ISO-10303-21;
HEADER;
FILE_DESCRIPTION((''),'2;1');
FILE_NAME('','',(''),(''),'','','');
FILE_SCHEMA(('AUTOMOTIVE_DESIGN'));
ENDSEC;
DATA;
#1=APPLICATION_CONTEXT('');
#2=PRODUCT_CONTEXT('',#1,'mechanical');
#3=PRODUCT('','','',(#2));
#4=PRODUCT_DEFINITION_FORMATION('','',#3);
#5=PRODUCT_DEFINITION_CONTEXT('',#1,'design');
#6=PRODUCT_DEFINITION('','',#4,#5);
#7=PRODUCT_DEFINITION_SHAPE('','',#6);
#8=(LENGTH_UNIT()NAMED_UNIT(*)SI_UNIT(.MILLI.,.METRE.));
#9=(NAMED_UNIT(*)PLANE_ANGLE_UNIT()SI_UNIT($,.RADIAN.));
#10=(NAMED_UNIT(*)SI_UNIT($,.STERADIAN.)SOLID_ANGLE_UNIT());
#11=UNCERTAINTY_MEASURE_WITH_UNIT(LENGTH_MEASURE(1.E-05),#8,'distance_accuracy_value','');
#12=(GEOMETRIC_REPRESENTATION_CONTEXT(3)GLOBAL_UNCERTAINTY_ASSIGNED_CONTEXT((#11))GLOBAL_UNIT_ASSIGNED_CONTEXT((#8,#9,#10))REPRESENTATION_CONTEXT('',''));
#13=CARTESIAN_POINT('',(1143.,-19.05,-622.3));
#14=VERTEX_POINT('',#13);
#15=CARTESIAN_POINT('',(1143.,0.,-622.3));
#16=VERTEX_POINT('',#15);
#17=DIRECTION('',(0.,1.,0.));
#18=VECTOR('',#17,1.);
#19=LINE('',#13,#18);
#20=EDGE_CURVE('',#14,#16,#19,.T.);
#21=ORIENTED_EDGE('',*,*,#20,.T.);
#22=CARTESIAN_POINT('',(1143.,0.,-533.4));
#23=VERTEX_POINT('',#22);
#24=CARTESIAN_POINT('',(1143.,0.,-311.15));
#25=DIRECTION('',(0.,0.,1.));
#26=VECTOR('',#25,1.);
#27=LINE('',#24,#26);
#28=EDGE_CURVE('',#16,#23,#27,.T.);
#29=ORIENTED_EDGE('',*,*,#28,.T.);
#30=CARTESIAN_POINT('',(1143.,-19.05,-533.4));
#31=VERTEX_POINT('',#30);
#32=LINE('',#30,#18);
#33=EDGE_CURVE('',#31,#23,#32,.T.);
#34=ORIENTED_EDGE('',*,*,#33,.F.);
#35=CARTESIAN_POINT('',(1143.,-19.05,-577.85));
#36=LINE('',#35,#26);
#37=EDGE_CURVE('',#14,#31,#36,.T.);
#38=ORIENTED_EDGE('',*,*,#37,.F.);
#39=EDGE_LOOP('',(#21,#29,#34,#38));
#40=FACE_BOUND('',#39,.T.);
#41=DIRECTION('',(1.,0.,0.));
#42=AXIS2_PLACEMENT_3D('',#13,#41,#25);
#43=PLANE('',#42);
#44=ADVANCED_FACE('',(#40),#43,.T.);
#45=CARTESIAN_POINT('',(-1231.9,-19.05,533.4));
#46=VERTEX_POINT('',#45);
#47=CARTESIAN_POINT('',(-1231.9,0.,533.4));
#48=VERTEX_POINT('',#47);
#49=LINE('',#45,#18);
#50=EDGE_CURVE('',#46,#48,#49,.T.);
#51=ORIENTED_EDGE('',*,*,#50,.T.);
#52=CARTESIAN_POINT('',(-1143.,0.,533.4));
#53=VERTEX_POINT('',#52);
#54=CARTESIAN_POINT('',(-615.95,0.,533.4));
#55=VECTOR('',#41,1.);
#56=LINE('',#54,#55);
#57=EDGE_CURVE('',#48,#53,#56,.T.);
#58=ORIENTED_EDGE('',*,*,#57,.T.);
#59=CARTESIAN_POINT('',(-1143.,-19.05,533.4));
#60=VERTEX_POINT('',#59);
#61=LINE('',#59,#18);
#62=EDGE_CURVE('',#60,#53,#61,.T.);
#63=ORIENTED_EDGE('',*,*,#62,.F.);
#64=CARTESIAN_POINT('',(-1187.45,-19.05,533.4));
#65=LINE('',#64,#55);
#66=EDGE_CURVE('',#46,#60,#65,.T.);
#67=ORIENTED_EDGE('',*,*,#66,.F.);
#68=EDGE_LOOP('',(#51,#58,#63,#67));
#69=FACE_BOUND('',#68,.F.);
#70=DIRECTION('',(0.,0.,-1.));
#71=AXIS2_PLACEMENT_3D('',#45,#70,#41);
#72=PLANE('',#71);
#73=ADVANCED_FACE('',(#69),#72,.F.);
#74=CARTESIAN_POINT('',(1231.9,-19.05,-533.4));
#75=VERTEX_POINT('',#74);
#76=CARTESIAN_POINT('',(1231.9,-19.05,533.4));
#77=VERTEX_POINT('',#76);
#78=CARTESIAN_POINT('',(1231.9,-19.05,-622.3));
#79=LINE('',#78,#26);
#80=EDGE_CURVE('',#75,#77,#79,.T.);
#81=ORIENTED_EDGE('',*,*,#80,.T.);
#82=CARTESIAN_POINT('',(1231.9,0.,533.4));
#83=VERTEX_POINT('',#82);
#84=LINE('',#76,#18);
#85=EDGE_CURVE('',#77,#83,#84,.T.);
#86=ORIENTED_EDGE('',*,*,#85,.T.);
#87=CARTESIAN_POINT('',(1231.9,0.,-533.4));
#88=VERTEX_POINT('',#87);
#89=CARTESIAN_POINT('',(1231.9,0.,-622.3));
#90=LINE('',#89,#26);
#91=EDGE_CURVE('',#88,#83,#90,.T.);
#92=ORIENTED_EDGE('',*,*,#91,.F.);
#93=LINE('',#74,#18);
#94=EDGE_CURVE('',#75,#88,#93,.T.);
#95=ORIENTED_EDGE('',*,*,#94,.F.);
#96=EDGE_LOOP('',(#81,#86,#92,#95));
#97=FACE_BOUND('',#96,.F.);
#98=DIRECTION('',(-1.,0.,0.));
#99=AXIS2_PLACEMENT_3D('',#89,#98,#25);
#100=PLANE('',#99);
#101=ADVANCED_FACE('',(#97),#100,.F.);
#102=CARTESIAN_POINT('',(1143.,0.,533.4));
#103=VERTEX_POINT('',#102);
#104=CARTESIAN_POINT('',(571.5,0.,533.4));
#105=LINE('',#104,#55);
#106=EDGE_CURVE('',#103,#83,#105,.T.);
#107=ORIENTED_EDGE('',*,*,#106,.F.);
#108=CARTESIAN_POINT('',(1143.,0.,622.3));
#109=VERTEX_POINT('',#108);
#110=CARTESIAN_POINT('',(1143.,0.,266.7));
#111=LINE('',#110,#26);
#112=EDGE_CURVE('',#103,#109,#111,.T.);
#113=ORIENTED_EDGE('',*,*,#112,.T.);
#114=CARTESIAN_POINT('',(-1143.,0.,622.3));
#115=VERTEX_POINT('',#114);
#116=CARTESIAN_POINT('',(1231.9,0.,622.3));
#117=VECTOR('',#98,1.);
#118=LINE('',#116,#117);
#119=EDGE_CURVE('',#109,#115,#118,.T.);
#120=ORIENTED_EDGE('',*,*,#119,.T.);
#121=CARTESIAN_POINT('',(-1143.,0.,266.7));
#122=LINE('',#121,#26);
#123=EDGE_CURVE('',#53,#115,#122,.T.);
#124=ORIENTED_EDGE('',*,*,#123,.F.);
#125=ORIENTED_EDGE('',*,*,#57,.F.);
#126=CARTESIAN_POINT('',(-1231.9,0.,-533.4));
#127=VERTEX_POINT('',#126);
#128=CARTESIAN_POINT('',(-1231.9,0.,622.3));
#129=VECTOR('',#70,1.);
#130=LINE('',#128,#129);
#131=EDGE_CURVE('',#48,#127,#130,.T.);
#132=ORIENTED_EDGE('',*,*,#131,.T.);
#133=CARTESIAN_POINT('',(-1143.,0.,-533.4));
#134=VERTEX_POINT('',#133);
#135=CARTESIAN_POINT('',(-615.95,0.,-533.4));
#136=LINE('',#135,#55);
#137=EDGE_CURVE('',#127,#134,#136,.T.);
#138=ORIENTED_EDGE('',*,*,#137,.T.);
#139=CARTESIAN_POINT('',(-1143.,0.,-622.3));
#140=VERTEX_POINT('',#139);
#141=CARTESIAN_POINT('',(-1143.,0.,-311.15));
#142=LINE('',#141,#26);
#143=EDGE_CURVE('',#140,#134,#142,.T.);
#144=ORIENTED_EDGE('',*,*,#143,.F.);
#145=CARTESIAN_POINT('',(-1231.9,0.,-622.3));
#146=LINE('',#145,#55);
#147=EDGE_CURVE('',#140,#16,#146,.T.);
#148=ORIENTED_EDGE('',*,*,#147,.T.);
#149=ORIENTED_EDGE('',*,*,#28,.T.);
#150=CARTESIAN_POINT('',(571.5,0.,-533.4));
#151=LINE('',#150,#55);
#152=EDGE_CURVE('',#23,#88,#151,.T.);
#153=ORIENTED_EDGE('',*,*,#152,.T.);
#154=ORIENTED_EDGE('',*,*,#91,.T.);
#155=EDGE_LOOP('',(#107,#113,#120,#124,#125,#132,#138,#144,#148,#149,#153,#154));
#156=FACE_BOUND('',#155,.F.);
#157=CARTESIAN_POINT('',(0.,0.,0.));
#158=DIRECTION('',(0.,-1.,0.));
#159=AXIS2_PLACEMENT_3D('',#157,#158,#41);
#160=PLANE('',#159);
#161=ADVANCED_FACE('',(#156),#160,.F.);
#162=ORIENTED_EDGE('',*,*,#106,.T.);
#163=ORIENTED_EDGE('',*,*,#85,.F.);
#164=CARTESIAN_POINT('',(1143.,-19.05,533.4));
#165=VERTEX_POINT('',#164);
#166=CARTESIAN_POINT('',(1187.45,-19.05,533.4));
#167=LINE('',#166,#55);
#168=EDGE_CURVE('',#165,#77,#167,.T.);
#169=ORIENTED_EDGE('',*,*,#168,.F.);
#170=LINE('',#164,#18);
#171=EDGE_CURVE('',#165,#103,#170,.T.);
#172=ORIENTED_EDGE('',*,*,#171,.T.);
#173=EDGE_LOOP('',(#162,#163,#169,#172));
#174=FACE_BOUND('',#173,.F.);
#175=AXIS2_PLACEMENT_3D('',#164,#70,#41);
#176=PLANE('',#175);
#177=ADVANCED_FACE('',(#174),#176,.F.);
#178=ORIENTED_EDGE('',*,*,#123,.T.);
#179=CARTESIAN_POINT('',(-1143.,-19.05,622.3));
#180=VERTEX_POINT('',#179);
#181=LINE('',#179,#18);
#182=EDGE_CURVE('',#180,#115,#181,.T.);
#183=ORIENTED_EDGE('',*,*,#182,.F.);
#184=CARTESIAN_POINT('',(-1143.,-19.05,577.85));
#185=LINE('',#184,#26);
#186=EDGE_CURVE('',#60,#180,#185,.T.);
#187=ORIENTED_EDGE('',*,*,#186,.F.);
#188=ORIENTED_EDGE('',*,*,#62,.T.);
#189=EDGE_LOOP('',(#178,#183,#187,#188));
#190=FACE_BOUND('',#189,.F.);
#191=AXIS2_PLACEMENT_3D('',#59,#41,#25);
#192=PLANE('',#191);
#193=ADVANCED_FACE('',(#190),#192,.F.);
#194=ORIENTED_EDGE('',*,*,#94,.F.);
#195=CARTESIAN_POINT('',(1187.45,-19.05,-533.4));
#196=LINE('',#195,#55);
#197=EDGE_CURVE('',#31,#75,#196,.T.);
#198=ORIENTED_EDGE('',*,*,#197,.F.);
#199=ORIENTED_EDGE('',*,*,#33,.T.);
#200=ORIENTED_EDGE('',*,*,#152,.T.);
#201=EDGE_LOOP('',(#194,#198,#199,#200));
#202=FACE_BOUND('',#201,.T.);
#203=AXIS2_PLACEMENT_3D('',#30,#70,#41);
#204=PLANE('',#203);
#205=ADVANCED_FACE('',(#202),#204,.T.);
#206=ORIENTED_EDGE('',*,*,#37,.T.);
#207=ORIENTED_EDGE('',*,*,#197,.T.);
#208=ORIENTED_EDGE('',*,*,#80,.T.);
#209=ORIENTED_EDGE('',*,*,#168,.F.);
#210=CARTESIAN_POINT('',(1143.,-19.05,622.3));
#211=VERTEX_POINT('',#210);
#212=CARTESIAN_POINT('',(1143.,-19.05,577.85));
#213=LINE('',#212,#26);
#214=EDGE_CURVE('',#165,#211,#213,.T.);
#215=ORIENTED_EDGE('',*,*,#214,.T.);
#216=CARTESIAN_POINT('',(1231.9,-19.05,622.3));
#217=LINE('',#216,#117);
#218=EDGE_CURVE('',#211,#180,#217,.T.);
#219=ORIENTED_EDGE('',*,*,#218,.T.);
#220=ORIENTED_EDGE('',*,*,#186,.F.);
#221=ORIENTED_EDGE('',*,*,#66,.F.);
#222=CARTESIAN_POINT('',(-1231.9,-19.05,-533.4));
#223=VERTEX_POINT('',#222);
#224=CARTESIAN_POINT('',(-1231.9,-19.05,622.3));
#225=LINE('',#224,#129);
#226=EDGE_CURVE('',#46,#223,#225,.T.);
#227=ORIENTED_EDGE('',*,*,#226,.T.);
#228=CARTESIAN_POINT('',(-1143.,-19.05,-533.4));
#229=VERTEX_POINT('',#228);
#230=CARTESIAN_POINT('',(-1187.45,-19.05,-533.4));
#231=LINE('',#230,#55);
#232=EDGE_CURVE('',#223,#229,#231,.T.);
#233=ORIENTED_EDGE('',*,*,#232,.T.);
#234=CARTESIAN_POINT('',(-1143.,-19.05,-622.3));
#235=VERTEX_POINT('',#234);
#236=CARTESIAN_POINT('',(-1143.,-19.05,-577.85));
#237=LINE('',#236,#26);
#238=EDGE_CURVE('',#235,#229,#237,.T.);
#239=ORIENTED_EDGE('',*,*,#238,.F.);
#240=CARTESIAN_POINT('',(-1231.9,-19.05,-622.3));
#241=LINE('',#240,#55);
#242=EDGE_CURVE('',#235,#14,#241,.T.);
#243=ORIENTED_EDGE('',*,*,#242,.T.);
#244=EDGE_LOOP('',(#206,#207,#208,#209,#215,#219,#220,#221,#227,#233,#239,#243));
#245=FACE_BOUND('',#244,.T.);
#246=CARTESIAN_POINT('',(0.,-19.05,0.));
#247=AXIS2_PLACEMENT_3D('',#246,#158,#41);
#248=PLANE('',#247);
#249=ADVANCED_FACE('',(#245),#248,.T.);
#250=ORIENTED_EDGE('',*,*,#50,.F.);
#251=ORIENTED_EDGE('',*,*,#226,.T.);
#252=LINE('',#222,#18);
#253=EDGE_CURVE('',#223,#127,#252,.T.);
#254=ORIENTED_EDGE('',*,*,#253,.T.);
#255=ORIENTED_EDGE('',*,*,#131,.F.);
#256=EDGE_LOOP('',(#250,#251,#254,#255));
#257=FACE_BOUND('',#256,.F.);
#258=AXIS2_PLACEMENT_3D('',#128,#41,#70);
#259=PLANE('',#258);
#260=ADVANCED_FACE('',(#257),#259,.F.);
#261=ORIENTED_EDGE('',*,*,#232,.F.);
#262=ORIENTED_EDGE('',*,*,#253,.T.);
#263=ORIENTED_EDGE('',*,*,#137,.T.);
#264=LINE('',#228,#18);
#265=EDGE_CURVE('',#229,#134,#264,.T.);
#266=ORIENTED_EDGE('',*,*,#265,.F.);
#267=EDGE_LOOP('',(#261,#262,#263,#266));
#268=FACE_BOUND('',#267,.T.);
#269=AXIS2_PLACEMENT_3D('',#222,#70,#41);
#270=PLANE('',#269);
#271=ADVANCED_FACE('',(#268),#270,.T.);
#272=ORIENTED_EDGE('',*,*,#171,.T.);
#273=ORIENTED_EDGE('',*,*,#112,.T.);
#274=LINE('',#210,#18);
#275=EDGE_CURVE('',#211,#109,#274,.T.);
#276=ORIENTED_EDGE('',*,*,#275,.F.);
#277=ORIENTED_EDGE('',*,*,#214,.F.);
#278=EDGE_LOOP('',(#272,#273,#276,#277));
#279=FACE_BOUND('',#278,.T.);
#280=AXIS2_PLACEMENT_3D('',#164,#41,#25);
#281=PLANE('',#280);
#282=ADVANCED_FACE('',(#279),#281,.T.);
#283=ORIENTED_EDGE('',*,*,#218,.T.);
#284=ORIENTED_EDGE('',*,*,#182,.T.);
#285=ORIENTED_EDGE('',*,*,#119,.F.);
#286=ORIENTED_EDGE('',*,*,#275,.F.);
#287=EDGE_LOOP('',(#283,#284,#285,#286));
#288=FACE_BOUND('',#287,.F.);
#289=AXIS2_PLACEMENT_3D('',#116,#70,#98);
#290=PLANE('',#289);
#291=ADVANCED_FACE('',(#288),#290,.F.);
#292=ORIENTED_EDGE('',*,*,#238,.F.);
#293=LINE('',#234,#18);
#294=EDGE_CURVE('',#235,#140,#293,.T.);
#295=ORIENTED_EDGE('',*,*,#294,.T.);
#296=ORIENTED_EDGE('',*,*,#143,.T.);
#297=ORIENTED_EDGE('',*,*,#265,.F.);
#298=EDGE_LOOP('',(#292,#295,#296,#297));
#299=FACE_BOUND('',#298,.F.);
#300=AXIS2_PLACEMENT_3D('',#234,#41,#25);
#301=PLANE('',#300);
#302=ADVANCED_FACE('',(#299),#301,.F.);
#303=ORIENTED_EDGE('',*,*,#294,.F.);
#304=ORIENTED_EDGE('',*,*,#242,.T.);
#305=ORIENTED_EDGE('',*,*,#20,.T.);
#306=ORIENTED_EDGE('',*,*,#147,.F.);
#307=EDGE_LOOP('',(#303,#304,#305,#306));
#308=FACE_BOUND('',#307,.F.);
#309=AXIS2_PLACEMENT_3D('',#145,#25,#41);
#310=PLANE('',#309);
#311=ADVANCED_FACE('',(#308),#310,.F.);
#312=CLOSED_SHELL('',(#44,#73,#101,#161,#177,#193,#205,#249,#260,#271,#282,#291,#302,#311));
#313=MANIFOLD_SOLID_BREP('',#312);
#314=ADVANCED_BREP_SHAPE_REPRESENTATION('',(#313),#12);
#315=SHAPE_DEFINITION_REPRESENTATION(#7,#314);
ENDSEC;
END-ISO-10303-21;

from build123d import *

# Parameters (mm, degrees)
F1_DEPTH = 19.05
F2_W     = 88.9
F2_H     = 88.9
F3_DEPTH = 25.4


with BuildPart() as f1:
    # F0 (on Front) → F1 (new body)
    with BuildSketch(Plane.XZ):
        Polygon((1231.9, 622.3), (0, 622.3), (-1231.9, 622.3), (-1231.9, 0), (-1231.9, -622.3), (0, -622.3), (1231.9, -622.3), (1231.9, 0), align=None)
    extrude(amount=F1_DEPTH)

    # F2 (on face) → F3 (cut)
    with BuildSketch(Plane.XZ.offset(19.05)):
        with Locations((-1187.45, 577.85)):
            Rectangle(F2_W, F2_H)
        with Locations((1187.45, 577.85)):
            Rectangle(F2_W, F2_H)
        with Locations((1187.45, -577.85)):
            Rectangle(F2_W, F2_H)
        with Locations((-1187.45, -577.85)):
            Rectangle(F2_W, F2_H)
    extrude(amount=-F3_DEPTH, mode=Mode.SUBTRACT)


solid = f1.part
